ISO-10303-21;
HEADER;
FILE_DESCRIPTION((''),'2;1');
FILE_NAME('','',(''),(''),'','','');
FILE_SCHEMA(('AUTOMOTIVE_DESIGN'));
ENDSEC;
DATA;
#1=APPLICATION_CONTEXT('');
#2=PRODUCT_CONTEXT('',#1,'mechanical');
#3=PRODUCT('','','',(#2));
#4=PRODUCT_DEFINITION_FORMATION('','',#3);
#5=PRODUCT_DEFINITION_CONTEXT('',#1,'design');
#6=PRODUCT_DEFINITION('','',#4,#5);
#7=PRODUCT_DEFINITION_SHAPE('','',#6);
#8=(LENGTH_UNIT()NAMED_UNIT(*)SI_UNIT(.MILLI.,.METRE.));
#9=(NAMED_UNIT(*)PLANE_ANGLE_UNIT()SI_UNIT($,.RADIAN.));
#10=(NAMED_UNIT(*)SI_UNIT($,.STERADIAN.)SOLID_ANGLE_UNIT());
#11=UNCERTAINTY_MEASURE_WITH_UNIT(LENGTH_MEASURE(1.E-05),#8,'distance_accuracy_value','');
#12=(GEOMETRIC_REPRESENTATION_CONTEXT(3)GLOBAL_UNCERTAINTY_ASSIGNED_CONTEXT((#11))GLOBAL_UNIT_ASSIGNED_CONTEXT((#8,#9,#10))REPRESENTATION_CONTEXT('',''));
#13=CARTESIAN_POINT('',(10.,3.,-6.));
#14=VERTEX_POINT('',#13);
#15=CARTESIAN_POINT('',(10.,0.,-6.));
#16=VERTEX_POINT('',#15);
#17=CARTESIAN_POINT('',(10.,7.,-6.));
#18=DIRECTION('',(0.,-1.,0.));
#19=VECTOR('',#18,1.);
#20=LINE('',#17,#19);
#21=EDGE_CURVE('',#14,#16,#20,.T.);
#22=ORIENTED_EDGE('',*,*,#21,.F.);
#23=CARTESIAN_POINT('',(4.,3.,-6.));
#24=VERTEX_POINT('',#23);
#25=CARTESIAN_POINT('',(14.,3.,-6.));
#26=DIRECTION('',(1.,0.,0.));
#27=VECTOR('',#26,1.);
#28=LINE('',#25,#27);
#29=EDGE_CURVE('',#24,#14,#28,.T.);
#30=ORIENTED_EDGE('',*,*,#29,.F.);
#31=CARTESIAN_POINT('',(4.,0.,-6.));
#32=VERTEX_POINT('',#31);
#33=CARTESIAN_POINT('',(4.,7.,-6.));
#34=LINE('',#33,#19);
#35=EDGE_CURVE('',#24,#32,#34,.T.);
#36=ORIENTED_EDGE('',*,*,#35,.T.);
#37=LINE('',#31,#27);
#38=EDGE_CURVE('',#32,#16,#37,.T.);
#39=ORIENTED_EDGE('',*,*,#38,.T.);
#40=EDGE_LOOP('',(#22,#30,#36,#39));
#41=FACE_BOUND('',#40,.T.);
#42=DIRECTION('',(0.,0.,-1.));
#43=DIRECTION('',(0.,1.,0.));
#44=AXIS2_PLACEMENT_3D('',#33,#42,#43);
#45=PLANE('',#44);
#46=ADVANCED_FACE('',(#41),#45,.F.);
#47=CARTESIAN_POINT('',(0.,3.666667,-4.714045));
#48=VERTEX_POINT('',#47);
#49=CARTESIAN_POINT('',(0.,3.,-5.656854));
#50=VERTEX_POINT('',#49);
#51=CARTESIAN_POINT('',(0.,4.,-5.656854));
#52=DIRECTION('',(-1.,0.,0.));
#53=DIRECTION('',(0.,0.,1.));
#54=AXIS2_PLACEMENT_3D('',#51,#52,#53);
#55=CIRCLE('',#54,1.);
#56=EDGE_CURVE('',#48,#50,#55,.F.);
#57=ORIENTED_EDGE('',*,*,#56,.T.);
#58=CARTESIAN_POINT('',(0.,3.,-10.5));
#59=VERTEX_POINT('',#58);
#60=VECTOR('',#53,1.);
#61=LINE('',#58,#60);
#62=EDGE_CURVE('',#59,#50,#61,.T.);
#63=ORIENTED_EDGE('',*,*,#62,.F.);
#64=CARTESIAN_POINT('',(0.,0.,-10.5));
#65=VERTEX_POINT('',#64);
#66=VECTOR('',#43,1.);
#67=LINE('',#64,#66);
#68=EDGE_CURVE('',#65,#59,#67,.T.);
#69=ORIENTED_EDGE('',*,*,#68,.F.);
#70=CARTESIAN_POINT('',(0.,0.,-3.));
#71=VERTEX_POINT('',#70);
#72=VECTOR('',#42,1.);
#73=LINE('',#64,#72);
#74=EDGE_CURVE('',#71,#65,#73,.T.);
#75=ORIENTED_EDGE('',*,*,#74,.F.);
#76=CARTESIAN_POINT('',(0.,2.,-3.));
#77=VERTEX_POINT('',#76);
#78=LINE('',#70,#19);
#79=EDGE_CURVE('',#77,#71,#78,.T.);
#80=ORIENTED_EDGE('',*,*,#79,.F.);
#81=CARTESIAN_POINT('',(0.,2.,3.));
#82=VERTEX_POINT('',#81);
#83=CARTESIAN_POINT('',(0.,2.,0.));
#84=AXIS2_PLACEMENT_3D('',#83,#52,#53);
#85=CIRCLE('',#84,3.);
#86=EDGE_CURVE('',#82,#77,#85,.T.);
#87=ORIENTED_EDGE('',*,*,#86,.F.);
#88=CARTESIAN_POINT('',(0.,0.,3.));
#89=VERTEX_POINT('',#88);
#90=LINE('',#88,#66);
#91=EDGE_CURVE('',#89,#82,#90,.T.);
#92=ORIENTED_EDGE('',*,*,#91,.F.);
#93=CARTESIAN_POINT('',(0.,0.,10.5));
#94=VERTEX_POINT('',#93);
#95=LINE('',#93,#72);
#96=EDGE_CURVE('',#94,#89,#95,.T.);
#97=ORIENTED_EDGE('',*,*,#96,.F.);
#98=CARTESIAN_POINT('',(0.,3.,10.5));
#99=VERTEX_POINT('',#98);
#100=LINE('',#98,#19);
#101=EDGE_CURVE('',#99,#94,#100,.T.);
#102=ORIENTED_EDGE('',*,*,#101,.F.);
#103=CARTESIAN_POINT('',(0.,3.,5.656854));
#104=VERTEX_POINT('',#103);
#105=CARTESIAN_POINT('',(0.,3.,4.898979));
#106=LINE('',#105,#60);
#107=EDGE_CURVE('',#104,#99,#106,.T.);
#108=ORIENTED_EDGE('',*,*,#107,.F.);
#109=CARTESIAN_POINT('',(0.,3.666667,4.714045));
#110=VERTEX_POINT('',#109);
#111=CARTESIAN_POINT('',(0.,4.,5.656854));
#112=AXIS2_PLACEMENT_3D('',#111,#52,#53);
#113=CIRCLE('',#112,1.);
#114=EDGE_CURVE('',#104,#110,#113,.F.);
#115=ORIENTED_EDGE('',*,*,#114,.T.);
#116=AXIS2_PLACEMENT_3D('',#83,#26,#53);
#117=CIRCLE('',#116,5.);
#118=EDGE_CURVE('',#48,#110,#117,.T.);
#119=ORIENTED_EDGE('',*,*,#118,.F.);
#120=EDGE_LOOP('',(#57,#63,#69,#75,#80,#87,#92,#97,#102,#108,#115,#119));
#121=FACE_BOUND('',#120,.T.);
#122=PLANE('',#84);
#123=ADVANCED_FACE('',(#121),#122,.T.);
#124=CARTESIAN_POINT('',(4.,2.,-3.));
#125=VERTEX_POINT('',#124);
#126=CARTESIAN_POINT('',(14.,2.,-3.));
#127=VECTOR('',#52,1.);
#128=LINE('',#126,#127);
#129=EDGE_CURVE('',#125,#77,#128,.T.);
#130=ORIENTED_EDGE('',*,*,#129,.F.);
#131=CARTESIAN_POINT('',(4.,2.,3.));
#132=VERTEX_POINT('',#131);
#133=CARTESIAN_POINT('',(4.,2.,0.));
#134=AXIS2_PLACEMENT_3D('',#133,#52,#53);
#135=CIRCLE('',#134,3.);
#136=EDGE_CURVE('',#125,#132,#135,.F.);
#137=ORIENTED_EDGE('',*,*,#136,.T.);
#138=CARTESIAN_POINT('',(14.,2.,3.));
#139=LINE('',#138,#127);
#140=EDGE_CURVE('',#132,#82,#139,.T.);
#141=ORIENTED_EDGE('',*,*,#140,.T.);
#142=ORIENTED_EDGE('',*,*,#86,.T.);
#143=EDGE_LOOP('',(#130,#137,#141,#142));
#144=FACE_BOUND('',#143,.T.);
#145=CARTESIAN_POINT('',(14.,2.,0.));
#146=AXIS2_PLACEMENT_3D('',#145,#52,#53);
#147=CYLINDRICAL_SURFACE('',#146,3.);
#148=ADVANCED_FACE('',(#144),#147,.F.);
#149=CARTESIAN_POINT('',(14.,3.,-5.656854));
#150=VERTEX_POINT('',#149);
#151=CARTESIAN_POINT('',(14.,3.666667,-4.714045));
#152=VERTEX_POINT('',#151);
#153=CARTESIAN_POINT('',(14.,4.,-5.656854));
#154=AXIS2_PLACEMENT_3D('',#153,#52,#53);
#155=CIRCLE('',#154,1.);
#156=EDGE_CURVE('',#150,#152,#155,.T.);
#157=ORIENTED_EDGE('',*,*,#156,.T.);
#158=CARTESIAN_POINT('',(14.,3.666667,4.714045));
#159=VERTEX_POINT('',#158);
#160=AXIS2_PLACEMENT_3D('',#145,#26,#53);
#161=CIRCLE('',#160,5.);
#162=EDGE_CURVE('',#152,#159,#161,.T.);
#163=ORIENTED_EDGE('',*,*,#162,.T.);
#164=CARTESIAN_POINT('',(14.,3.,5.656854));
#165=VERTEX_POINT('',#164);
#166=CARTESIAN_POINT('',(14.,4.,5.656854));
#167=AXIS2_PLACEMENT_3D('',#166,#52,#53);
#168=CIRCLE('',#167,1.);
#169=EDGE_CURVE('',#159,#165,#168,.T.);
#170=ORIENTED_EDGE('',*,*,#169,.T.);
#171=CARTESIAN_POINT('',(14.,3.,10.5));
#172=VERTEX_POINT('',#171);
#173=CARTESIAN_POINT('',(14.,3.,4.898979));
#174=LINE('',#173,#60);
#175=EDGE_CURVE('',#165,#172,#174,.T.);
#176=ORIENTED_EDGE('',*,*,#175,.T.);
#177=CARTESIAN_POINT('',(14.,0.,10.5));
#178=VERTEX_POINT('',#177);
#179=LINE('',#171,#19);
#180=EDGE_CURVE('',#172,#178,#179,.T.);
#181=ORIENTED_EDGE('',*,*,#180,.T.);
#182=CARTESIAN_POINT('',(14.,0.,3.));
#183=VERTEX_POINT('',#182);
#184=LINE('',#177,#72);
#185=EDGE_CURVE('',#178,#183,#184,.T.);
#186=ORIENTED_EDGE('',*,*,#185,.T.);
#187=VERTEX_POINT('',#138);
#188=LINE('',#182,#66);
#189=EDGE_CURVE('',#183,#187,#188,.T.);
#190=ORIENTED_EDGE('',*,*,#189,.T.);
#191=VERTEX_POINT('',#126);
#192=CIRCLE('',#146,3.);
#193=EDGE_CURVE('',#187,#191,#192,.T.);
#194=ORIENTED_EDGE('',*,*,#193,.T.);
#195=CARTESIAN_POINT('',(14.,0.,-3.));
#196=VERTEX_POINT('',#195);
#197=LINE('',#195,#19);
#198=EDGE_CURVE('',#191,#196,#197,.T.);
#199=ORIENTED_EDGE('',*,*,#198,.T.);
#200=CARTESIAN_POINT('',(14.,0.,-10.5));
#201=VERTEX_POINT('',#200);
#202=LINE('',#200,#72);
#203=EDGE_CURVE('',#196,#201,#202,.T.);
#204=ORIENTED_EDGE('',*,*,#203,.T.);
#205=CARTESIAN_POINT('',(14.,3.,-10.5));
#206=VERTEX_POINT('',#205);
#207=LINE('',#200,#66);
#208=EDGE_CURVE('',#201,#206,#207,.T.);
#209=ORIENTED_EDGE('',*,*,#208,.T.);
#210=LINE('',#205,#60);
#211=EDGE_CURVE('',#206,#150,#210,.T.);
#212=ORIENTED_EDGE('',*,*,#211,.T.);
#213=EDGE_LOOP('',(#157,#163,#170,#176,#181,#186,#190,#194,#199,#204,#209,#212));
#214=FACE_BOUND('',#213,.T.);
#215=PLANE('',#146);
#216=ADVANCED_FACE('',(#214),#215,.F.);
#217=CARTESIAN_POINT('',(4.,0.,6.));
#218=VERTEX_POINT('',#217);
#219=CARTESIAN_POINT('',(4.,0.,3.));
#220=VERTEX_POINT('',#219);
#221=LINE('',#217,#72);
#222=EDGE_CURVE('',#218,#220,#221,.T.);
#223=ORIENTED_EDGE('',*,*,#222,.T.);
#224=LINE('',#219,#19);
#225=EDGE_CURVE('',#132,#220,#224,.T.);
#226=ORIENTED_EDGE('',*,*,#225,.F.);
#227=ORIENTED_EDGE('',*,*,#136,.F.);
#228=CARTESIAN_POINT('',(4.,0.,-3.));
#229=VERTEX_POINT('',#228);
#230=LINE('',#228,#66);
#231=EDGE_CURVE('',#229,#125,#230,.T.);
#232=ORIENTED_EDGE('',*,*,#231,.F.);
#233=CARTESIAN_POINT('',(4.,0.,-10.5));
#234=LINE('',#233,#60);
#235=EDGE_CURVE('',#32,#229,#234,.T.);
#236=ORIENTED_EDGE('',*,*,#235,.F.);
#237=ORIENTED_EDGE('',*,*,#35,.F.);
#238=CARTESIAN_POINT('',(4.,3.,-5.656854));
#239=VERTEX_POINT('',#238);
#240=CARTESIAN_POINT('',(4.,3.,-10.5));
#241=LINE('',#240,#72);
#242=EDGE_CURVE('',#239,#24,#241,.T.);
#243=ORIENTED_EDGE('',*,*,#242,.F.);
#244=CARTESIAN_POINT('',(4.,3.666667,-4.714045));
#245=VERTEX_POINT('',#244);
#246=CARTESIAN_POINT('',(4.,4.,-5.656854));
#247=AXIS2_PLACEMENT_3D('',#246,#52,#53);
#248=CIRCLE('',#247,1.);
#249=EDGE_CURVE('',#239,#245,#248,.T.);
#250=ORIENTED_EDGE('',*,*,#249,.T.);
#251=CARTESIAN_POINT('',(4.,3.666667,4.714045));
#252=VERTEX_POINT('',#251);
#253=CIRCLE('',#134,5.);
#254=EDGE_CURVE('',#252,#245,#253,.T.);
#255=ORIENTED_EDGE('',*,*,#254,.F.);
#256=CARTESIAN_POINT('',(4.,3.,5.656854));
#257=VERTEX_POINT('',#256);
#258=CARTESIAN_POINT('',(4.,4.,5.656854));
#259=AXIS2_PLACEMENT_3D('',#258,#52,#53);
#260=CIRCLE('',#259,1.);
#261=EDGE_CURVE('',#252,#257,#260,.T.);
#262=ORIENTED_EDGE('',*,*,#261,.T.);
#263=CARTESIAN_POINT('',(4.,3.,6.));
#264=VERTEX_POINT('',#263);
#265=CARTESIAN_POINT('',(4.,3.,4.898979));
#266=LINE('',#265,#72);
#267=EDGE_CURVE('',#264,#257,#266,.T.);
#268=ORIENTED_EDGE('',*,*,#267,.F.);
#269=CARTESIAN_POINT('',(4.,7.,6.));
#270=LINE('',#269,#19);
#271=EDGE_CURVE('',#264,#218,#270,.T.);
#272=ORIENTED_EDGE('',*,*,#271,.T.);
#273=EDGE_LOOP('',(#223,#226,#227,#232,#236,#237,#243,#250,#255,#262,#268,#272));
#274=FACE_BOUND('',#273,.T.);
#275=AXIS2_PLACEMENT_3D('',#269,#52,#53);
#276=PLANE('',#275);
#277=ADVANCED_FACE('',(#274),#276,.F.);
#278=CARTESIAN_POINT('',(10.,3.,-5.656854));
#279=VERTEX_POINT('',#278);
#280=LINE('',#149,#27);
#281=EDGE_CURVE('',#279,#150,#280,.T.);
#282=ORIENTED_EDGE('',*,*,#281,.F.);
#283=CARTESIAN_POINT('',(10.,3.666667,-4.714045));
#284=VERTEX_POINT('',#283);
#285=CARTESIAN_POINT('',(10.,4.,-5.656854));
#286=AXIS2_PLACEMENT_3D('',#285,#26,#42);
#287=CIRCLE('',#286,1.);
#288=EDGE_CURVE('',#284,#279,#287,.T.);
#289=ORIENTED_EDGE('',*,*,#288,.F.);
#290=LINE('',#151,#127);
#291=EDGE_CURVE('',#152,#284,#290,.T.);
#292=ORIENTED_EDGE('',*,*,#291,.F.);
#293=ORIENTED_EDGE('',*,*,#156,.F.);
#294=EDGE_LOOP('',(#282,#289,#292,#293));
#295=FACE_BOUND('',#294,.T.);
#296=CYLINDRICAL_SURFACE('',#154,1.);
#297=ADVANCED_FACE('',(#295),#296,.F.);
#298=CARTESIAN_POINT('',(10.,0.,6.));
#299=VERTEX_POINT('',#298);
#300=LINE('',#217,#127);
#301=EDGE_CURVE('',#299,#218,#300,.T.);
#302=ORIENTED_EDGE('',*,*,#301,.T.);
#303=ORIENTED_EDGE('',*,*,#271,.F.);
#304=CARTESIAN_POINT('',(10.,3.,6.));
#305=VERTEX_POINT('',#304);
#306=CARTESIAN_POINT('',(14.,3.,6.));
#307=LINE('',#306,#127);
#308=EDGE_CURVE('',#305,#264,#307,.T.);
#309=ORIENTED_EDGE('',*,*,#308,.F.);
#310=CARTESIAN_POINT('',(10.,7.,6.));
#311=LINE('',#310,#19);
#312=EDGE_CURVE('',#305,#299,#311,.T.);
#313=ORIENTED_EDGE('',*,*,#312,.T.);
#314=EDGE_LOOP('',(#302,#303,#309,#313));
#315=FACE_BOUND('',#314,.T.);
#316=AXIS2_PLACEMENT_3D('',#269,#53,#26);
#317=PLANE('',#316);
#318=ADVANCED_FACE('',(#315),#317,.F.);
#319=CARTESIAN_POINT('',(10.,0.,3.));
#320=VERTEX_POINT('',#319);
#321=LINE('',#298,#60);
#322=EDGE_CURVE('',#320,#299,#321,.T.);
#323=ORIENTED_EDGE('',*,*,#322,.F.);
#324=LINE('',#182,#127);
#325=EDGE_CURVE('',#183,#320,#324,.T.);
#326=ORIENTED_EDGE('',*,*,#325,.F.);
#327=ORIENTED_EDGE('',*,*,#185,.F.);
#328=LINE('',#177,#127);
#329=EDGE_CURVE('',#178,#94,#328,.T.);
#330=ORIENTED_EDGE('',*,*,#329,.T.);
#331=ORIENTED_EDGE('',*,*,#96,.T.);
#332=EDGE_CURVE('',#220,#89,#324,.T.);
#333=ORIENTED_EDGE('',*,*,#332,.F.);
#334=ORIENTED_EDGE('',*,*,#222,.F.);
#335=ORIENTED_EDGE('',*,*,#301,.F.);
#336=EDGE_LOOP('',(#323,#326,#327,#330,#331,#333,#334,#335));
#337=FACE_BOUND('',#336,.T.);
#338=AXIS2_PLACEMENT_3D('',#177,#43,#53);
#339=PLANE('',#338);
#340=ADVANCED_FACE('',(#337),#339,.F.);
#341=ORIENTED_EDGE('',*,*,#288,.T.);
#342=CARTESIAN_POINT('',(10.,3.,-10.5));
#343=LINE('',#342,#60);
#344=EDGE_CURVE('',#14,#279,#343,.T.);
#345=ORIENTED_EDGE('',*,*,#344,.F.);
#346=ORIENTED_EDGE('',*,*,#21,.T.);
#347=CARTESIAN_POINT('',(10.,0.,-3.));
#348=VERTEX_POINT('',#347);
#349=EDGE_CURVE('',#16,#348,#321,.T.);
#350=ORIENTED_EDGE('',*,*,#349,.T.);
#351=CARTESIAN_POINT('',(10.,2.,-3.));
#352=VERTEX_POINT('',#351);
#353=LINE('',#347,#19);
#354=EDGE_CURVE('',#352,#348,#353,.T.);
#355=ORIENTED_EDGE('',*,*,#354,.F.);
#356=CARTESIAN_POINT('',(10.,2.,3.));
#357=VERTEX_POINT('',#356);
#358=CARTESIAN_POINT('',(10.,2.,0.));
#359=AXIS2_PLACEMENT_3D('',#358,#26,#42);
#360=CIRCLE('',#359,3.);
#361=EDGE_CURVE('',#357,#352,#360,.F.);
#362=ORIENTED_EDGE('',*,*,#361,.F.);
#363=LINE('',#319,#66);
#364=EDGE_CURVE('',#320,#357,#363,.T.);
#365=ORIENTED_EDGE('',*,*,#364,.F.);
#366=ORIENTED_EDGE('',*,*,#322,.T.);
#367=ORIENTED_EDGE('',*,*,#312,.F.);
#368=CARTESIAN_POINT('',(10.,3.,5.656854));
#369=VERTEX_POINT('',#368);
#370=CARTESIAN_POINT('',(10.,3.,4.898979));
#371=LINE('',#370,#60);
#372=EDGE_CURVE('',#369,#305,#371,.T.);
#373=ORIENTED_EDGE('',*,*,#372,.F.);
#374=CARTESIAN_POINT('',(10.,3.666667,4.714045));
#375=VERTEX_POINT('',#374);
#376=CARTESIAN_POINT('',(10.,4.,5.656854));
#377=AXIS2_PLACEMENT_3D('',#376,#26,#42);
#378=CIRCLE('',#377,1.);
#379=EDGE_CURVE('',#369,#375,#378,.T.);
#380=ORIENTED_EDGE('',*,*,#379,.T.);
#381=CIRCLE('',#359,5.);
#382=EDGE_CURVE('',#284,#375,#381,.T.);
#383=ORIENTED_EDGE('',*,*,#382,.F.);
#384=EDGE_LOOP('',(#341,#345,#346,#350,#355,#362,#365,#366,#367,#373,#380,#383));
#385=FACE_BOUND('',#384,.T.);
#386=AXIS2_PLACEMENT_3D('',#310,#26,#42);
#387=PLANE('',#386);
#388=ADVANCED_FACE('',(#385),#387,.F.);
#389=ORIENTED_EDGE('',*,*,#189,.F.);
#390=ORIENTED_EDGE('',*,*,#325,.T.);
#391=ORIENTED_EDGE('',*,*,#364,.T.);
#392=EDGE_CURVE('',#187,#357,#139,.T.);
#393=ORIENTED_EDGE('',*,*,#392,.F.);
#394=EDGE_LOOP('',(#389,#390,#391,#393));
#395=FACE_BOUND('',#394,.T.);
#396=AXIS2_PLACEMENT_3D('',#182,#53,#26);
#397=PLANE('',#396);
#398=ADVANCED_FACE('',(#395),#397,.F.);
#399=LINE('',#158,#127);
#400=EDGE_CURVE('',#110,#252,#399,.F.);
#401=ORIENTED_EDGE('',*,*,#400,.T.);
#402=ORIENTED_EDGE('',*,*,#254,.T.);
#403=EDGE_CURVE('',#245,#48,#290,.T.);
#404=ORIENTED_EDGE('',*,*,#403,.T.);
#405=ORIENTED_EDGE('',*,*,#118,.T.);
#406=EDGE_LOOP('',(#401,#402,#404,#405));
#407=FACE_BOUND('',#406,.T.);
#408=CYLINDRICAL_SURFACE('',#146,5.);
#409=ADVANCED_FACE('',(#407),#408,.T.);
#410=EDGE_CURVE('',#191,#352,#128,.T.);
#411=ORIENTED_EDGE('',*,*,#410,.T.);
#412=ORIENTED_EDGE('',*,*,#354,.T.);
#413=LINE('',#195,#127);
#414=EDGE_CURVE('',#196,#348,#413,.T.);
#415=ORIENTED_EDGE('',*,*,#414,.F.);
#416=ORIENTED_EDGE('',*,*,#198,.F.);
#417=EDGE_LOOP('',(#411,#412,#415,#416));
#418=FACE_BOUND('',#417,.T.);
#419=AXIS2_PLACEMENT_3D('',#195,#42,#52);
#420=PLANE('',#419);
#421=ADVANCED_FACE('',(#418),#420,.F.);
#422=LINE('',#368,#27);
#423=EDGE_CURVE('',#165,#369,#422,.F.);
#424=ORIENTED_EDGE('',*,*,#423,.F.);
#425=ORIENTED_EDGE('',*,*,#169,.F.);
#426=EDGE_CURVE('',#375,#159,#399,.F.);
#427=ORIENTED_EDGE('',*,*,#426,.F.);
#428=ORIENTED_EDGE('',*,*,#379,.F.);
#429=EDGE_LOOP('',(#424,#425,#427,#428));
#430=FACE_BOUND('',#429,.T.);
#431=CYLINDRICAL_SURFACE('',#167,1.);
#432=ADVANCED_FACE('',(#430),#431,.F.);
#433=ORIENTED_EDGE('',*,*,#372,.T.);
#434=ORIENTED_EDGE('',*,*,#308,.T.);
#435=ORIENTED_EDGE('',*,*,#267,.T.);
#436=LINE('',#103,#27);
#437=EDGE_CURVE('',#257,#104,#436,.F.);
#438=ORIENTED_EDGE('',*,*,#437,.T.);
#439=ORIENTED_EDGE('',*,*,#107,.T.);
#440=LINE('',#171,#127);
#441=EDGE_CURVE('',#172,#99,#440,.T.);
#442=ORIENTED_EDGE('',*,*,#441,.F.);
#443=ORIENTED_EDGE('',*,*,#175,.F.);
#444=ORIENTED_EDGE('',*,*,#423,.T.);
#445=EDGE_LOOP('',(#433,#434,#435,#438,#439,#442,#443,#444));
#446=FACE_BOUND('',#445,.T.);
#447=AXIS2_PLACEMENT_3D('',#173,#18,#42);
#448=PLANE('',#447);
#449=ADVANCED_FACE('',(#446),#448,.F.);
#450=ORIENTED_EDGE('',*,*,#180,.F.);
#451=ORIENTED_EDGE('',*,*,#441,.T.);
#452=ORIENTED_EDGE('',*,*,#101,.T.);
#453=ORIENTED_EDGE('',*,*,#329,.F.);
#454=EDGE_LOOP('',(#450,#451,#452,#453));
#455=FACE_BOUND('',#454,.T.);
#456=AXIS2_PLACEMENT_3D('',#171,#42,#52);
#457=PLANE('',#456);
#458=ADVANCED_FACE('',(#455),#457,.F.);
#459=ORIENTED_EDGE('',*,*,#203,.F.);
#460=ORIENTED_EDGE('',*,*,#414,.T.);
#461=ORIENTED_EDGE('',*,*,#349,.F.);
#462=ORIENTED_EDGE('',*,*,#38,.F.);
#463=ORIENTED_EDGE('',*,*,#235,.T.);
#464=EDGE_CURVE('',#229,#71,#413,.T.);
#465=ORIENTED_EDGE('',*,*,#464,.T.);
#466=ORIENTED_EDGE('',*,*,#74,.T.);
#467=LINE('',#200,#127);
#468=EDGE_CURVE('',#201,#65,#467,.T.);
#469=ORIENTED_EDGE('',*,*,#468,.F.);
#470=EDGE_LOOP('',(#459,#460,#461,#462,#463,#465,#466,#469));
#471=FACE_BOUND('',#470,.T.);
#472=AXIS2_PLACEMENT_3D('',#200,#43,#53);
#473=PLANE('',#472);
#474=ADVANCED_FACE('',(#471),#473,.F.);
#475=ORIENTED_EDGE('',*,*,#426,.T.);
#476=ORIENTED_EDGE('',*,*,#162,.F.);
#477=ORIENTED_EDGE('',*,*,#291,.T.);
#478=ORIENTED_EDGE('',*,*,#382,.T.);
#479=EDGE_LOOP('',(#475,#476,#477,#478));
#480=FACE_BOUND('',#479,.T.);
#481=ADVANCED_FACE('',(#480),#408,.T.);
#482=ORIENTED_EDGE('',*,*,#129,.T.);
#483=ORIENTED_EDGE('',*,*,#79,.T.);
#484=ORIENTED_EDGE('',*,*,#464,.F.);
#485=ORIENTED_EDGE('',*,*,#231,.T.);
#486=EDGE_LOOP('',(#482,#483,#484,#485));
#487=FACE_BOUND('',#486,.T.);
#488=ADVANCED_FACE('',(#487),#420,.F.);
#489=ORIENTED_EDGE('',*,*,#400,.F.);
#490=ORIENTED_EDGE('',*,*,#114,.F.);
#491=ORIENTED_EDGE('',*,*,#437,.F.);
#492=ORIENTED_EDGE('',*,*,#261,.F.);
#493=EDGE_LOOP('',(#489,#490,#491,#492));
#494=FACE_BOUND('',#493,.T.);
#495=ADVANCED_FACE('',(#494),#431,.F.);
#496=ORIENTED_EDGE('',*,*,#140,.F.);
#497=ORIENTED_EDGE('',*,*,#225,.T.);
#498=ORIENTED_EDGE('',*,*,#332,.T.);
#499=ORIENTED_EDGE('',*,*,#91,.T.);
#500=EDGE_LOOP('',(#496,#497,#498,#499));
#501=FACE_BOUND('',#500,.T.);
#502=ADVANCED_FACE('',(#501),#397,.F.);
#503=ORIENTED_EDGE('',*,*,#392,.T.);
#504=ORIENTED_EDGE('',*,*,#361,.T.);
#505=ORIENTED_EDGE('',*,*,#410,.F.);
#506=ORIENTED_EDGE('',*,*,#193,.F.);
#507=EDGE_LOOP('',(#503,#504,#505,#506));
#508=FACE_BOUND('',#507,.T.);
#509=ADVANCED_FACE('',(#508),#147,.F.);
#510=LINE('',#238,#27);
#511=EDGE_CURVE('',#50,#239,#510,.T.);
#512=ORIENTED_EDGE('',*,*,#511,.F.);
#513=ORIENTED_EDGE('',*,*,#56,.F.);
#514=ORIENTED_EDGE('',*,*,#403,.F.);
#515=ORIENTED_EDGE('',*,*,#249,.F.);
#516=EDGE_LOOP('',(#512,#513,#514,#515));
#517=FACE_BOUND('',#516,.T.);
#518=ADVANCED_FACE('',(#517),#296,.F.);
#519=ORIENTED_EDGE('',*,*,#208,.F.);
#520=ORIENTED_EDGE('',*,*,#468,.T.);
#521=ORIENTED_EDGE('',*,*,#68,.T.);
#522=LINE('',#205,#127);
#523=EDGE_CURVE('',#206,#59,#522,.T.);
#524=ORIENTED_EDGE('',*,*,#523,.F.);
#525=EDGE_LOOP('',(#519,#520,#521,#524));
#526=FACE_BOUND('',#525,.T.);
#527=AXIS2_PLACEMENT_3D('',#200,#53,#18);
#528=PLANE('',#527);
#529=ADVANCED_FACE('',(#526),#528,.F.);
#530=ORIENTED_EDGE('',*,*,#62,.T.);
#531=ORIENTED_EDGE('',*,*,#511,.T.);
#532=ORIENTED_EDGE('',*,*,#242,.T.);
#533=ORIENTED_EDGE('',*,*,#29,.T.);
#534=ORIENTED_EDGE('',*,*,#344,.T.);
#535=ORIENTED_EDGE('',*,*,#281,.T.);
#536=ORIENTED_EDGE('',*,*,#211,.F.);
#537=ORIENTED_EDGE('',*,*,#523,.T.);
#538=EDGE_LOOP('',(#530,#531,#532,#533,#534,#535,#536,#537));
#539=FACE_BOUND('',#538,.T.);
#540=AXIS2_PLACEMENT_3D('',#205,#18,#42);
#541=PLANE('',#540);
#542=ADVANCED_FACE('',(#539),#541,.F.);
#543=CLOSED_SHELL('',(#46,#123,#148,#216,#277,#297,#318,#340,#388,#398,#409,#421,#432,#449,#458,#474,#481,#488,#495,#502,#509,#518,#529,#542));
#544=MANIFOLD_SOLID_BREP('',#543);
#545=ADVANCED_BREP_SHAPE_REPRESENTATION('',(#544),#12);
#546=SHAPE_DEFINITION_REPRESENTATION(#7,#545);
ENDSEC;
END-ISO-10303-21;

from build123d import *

# Parameters (mm, degrees)
EXTRUDE_1_DEPTH     = 14
SKETCH_3_W          = 6
SKETCH_3_H          = 12
CUT_EXTRUDE_1_DEPTH = 19.848076825
FILLET_2_R          = 1


with BuildPart() as part:
    # 草图2 → 凸台-拉伸1 (new body)
    with BuildSketch(Plane(origin=(0, 0, 0), x_dir=(0, 0, -1), z_dir=(1, 0, 0))):
        with BuildLine():
            Line((10.5, 0), (3, 0))
            Line((3, 0), (3, 2))
            ThreePointArc((3, 2), (0, 5), (-3, 2))
            Line((-3, 2), (-3, 0))
            Line((-3, 0), (-10.5, 0))
            Line((-10.5, 0), (-10.5, 3))
            Line((-10.5, 3), (-4.898979486, 3))
            ThreePointArc((-4.898979486, 3), (0, 7), (4.898979486, 3))
            Line((4.898979486, 3), (10.5, 3))
            Line((10.5, 3), (10.5, 0))
        make_face()
    extrude(amount=EXTRUDE_1_DEPTH)

    # 草图3 → 切除-拉伸1 (cut, through all)
    with BuildSketch(Plane.XZ):
        with Locations((7, 0)):
            Rectangle(SKETCH_3_W, SKETCH_3_H)
    extrude(amount=-CUT_EXTRUDE_1_DEPTH, mode=Mode.SUBTRACT)

    # 圆角2
    fillet_2_edges = [part.edges().sort_by_distance(p)[0] for p in [
        (12, 3, 4.898979486),
        (12, 3, -4.898979486),
        (2, 3, 4.898979486),
        (2, 3, -4.898979486),
    ]]
    fillet(fillet_2_edges, radius=FILLET_2_R)


solid = part.part
